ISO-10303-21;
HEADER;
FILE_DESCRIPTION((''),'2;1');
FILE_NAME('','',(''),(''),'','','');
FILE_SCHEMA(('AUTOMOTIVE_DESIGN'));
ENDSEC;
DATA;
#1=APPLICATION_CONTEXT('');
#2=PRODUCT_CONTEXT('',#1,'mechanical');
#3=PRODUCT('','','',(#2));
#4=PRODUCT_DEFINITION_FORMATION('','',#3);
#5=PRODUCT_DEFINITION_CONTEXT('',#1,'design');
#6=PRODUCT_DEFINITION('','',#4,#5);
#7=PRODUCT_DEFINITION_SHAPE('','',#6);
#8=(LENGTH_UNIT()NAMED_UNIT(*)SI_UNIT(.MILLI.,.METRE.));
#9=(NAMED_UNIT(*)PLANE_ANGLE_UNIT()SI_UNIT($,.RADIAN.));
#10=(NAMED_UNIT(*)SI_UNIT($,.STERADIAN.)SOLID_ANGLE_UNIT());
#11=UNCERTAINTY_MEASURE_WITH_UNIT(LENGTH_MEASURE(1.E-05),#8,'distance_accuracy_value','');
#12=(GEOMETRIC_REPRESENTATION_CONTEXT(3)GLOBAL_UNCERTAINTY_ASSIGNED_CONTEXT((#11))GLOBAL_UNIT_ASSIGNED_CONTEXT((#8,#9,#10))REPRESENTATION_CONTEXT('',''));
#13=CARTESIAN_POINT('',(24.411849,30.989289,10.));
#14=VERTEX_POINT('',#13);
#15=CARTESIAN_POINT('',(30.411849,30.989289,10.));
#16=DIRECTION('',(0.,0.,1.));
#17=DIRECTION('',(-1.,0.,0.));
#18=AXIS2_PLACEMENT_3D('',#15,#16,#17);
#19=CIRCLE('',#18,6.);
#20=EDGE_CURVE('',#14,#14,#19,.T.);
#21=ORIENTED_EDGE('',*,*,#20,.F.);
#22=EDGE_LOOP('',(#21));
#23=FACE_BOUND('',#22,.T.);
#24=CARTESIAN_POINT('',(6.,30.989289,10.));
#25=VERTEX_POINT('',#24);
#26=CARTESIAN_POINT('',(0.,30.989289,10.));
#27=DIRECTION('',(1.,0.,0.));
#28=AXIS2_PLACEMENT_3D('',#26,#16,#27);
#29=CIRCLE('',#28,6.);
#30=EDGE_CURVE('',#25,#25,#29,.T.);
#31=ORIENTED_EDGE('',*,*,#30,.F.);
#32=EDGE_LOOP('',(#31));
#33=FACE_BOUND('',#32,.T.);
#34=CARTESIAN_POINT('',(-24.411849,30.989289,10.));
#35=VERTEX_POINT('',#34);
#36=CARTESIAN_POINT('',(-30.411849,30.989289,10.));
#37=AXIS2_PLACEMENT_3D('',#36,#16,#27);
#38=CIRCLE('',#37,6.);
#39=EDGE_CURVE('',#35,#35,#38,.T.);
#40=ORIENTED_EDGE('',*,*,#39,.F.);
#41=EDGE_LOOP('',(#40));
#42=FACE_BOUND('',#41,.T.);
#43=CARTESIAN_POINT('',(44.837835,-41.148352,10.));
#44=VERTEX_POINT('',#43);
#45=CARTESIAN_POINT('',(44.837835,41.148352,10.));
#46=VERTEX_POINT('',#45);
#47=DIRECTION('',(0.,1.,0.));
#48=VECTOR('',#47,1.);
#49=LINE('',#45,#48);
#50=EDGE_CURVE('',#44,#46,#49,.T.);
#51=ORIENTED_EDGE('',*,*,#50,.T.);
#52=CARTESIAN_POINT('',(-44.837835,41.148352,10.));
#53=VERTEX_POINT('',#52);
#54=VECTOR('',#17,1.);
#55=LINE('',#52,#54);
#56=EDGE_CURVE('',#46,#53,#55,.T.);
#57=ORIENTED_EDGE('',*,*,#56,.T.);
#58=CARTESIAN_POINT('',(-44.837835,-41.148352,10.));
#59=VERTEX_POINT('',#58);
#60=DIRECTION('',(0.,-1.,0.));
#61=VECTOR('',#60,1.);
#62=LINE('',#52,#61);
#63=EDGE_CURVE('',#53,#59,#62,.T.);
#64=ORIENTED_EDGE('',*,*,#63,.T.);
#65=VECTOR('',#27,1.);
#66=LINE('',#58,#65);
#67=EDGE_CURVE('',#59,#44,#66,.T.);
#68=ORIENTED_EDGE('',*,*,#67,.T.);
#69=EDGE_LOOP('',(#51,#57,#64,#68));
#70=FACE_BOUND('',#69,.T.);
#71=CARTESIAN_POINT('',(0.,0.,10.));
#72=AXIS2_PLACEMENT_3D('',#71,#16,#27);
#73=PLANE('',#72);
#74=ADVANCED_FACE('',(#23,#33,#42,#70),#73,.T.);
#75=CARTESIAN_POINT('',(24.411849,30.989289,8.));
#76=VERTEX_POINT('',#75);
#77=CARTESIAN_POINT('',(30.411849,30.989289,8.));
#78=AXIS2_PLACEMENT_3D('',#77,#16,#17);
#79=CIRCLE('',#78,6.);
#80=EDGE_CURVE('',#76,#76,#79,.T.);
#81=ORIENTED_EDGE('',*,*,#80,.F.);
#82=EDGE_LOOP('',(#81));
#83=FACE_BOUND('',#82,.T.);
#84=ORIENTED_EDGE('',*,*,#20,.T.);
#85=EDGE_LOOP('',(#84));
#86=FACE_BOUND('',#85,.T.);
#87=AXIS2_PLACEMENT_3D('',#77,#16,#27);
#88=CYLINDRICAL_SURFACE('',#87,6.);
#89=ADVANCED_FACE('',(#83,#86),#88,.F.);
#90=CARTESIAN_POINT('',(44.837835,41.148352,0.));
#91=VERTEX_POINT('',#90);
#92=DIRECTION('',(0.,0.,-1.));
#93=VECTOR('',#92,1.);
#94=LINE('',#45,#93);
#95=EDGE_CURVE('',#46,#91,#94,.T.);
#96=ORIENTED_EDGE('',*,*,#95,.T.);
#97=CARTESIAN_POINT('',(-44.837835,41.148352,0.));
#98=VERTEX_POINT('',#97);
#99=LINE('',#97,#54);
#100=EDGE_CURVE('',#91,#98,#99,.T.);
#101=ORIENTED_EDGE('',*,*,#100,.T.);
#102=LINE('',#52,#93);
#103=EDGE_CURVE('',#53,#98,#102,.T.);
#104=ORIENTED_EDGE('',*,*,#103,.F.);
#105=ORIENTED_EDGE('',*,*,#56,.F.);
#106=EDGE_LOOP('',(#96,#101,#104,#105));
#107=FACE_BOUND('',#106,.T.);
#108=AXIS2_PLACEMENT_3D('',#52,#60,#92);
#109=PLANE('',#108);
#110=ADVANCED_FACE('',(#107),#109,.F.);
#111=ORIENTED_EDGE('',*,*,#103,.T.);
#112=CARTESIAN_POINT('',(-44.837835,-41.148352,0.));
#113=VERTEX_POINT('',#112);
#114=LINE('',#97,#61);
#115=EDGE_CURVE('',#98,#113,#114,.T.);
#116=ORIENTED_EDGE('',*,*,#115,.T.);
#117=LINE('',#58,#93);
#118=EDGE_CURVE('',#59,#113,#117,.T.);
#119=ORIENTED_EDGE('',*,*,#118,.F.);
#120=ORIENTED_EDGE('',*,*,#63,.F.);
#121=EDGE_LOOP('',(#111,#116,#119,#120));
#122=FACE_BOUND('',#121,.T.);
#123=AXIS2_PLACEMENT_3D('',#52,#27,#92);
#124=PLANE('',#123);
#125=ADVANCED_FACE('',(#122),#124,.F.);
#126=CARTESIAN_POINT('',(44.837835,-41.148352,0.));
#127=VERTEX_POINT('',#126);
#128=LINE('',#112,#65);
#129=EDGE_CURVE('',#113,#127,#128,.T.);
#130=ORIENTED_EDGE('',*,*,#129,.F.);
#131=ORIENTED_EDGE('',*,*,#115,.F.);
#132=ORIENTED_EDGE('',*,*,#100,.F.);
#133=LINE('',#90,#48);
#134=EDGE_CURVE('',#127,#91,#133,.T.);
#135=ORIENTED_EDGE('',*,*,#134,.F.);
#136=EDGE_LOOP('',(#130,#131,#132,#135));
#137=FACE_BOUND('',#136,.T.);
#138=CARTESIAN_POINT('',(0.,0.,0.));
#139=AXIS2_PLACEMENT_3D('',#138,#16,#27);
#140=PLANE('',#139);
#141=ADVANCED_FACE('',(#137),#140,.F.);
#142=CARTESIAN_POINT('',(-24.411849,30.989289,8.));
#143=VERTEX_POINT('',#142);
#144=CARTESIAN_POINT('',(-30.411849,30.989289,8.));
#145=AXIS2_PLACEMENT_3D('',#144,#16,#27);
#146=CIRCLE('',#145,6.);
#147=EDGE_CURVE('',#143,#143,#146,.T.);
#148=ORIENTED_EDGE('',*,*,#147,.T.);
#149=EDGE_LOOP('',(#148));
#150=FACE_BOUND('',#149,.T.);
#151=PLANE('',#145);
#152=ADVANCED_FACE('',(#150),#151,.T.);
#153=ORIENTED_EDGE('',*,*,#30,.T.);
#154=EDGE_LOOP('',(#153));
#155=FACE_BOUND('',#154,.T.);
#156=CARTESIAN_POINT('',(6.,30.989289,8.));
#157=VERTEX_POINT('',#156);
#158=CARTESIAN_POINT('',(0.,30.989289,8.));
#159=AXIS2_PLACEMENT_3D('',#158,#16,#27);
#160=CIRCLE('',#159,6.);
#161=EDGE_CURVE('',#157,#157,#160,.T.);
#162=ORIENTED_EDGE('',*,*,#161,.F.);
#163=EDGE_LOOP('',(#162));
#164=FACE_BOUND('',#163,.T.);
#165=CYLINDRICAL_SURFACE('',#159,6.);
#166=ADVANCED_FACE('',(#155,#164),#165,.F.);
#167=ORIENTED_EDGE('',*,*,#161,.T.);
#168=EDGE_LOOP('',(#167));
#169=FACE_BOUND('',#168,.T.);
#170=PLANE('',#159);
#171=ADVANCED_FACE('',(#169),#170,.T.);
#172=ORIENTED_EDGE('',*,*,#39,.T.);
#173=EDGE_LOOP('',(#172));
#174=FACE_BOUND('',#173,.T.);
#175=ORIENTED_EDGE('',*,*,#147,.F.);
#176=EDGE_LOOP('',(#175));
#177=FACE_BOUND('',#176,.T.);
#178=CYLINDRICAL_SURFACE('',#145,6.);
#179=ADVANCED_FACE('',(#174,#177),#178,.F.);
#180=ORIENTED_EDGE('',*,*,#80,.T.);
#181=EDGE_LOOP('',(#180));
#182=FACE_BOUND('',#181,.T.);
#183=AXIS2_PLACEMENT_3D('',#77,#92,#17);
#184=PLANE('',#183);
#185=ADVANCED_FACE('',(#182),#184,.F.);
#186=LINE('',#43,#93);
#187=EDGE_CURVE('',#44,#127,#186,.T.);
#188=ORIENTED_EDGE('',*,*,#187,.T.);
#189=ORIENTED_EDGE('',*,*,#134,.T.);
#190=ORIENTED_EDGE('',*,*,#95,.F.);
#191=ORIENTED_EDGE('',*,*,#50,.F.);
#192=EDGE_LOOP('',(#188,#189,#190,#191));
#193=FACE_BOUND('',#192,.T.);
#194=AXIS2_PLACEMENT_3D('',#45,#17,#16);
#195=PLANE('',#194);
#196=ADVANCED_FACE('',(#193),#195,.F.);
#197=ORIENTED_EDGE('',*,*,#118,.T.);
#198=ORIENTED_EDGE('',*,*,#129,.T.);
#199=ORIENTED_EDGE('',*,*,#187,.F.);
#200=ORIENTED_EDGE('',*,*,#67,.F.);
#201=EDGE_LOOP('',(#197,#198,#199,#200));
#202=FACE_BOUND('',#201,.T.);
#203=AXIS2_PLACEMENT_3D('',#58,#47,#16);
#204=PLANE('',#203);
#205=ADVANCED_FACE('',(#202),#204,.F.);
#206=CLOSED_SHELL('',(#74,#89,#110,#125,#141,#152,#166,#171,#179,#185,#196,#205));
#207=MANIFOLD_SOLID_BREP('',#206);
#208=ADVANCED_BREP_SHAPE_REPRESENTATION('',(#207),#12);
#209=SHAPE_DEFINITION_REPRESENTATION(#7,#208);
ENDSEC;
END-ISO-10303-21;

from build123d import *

# Parameters (mm, degrees)
SKETCH_1_W          = 89.675670072
SKETCH_1_H          = 82.296703234
EXTRUDE_1_DEPTH     = 10
SKETCH_3_R          = 6
CUT_EXTRUDE_1_DEPTH = 2
SKETCH_4_R          = 6
CUT_EXTRUDE_2_DEPTH = 2


with BuildPart() as part:
    # 草图1 → 凸台-拉伸1 (new body)
    with BuildSketch(Plane.XY):
        Rectangle(SKETCH_1_W, SKETCH_1_H)
    extrude(amount=EXTRUDE_1_DEPTH)

    # 草图3 → 切除-拉伸1 (cut)
    with BuildSketch(Plane.XY.offset(10)):
        with Locations((-30.411848961, 30.989289131)):
            Circle(SKETCH_3_R)
        with Locations((30.411848961, 30.989289131)):
            Circle(SKETCH_3_R)
    extrude(amount=-CUT_EXTRUDE_1_DEPTH, mode=Mode.SUBTRACT)

    # 草图4 → 切除-拉伸2 (cut)
    with BuildSketch(Plane.XY.offset(10)):
        with Locations((0, 30.989289131)):
            Circle(SKETCH_4_R)
    extrude(amount=-CUT_EXTRUDE_2_DEPTH, mode=Mode.SUBTRACT)


solid = part.part
